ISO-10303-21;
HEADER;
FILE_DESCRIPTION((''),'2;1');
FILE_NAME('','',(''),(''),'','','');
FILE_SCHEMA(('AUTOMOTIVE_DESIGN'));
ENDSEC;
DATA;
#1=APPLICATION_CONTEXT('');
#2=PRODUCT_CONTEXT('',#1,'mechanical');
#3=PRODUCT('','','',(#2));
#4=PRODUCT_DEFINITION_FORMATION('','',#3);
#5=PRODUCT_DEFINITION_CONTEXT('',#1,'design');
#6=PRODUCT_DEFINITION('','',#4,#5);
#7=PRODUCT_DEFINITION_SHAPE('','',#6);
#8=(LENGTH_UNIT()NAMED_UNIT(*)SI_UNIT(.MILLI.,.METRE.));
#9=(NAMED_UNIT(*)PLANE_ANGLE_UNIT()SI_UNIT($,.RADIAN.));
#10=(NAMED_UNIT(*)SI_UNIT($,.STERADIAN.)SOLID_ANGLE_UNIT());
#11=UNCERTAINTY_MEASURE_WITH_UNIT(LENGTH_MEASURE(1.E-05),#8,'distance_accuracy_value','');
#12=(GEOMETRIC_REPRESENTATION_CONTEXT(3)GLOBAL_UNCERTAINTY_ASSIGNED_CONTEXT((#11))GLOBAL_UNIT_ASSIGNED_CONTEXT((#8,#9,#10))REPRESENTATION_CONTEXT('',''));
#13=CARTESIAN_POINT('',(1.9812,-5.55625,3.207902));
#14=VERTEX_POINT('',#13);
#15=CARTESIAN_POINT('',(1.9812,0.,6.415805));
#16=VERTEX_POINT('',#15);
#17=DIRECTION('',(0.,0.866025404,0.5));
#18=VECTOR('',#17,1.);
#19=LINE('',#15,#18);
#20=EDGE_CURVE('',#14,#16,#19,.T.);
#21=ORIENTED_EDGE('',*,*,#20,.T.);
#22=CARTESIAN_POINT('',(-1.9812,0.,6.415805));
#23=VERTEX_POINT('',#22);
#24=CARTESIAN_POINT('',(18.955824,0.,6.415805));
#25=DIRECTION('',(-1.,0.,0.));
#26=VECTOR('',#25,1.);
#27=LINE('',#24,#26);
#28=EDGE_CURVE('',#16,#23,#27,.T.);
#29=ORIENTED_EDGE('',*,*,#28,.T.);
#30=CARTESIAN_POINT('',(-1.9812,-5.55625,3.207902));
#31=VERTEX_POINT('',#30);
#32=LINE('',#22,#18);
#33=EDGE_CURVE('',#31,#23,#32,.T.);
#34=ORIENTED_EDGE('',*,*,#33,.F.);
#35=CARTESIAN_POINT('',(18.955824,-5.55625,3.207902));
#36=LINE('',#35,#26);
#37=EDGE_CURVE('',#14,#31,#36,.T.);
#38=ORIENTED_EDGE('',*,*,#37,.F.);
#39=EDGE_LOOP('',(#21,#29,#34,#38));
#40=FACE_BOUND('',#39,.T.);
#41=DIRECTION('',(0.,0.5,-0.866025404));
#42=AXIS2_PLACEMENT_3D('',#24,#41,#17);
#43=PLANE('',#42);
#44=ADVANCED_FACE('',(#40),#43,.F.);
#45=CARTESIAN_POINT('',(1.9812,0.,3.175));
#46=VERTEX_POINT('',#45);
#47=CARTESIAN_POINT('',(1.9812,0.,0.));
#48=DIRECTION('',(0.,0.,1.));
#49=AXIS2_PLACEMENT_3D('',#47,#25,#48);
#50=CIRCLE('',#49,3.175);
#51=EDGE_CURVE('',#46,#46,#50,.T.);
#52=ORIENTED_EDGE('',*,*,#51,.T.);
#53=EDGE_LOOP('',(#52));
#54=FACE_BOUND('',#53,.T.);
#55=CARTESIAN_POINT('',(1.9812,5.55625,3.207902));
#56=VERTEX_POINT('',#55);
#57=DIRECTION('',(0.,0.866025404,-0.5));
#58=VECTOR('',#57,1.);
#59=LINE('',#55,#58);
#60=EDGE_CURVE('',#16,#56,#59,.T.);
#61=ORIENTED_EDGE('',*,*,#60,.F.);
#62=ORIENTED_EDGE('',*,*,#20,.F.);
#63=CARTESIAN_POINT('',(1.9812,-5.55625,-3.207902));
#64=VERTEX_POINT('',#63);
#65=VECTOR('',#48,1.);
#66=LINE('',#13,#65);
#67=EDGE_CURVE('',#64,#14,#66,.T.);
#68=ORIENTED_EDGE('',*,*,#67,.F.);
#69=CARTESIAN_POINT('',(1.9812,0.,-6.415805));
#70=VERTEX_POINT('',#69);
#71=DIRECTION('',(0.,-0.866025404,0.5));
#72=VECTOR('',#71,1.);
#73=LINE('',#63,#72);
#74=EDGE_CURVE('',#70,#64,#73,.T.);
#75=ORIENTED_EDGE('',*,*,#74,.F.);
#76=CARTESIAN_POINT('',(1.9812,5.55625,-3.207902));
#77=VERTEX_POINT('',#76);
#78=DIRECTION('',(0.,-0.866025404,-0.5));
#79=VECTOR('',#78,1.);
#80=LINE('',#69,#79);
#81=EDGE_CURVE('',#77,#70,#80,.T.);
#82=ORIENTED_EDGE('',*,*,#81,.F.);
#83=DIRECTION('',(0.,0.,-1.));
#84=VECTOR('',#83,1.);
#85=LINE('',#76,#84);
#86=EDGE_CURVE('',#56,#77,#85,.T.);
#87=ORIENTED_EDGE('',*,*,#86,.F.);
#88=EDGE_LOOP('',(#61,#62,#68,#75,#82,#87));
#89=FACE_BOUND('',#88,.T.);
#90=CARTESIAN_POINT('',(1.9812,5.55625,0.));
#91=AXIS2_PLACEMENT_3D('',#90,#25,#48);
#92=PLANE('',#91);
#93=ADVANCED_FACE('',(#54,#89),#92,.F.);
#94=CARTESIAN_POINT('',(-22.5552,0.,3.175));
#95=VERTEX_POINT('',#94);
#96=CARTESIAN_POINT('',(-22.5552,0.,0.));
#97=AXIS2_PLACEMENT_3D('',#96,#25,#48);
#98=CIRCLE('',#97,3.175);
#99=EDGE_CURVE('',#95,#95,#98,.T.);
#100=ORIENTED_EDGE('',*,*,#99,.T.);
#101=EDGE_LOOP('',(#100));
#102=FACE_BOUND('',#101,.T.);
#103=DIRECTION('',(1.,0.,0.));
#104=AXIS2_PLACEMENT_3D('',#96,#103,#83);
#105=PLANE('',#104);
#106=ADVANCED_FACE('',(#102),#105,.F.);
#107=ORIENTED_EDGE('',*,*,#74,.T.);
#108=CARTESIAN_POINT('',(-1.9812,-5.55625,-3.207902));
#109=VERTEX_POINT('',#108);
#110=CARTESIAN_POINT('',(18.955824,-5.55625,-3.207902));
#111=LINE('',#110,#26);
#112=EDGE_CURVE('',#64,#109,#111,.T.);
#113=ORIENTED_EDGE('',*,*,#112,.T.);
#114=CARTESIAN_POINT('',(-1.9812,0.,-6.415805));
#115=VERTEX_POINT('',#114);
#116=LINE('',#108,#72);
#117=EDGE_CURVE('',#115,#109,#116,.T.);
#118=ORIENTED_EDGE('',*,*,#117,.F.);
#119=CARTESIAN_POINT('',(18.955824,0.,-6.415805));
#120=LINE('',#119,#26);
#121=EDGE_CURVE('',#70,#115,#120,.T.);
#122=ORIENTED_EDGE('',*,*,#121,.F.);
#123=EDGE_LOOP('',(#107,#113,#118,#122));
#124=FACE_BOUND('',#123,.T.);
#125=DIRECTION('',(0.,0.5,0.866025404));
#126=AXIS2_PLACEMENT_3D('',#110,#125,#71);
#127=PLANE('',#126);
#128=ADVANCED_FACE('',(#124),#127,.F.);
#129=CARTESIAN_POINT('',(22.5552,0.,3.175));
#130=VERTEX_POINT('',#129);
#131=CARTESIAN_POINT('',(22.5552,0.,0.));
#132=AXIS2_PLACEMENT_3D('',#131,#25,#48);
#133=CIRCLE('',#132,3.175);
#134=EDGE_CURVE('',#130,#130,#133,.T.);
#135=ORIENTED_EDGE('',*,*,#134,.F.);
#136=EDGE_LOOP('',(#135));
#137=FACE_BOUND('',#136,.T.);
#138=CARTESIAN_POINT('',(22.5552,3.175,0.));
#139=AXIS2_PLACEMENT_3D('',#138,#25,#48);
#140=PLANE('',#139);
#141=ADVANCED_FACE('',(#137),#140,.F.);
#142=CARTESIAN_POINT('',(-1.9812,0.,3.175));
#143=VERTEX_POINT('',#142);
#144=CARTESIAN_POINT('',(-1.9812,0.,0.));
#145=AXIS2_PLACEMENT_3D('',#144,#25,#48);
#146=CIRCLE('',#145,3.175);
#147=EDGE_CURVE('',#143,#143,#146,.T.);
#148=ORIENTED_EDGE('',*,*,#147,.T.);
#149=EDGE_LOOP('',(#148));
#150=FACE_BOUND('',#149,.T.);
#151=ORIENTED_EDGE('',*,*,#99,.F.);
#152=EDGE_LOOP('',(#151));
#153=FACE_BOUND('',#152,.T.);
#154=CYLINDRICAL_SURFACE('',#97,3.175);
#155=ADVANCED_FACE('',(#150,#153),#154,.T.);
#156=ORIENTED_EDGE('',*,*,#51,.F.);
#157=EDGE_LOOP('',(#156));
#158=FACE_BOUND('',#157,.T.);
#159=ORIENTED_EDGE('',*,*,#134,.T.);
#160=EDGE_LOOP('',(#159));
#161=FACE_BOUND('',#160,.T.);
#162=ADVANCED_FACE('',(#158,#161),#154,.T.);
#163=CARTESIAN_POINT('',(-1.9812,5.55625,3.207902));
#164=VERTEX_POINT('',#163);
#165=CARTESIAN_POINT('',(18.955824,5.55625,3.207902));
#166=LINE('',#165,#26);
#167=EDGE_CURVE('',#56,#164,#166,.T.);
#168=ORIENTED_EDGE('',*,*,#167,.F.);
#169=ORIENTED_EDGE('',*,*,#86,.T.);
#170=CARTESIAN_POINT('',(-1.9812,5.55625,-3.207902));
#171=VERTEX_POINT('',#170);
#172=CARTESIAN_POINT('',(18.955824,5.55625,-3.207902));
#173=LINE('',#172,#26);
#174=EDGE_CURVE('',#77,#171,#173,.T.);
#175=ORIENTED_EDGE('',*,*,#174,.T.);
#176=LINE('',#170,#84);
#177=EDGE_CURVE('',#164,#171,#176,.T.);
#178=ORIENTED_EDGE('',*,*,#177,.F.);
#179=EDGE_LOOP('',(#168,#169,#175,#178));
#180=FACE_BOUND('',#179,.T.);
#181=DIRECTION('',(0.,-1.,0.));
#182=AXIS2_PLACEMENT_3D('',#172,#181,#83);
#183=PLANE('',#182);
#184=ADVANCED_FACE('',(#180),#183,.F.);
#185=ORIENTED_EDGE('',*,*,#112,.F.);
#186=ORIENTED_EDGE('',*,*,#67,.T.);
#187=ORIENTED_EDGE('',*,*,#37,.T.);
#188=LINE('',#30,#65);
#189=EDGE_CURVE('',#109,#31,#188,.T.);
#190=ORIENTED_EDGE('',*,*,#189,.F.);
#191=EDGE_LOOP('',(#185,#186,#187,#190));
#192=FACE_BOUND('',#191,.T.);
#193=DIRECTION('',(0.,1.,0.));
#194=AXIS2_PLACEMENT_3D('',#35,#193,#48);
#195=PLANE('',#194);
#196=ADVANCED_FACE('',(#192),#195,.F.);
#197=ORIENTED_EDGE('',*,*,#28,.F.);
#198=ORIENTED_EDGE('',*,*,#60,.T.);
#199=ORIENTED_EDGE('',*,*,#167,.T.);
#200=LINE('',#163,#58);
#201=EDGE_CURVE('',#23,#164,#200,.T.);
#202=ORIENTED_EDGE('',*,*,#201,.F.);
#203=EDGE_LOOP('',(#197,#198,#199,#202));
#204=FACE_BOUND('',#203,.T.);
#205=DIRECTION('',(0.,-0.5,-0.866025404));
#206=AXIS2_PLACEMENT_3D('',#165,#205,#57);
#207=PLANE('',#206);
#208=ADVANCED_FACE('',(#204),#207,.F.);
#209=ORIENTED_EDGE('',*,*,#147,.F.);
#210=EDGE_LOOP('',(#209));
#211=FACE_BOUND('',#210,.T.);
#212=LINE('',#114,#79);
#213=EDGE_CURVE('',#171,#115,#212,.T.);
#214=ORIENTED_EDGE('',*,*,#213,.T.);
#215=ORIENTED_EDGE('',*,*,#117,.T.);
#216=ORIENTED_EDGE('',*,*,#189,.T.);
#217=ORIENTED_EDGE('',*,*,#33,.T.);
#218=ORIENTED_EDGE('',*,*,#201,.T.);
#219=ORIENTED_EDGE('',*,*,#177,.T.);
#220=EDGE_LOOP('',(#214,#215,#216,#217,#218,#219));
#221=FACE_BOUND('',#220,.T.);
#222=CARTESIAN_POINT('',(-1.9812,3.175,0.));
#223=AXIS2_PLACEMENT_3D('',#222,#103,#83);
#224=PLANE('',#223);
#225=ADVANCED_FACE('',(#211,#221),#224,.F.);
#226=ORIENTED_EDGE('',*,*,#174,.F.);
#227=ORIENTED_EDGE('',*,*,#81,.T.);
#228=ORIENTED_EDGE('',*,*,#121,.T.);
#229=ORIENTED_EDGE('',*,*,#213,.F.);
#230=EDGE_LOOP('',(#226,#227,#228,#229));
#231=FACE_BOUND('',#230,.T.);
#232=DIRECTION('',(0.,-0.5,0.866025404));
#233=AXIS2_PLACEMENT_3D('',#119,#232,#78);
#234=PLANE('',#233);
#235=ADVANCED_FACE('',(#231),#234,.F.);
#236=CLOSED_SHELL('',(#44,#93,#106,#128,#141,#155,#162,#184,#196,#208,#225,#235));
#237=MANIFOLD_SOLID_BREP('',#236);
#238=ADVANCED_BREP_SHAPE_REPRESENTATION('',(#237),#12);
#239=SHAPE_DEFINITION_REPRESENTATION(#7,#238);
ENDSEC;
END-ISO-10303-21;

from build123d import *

# Parameters (mm, degrees)
BOSS_EXTRUDE1_REACH             = 25.885
BOSS_EXTRUDE1_DIRECTION_2_REACH = 25.885


with BuildPart() as part:
    # Sketch2 → Revolve1 (revolve)
    with BuildSketch(Plane.XY, mode=Mode.PRIVATE) as revolve1_sk:
        Polygon((-22.5552, 0), (-22.5552, 3.175), (-1.9812, 3.175), (-1.9812, 5.55625), (1.9812, 5.55625), (1.9812, 3.175), (22.5552, 3.175), (22.5552, 0), align=None)
    revolve(revolve1_sk.sketch.rotate(Axis((-22.5552, 0, 0), (1, 0, 0)), 90), axis=Axis((-22.5552, 0, 0), (1, 0, 0)))

    # Boss-Extrude1: up to this face of the body (flat: up to its plane)
    boss_extrude1_end = Plane(part.part.faces().sort_by_distance((1.9812, 0, -5.399095518))[0])
    # Sketch3 → Boss-Extrude1 (add, up to the picked face)
    with BuildSketch(Plane(origin=(0, 0, 0), x_dir=(0, 0, -1), z_dir=(1, 0, 0)), mode=Mode.PRIVATE) as boss_extrude1_sk1:
        Polygon((3.207902433, -5.55625), (6.415804866, 0), (3.207902433, 5.55625), (-3.207902433, 5.55625), (-6.415804866, 0), (-3.207902433, -5.55625), align=None)
    boss_extrude1_tool1 = split(extrude(boss_extrude1_sk1.sketch, amount=BOSS_EXTRUDE1_REACH, mode=Mode.PRIVATE), bisect_by=boss_extrude1_end, keep=Keep.BOTH, mode=Mode.PRIVATE)
    add(boss_extrude1_tool1.solids().sort_by(Axis((0, 0, 0), (1, 0, 0)))[0])

    # Boss-Extrude1 direction 2: up to this face of the body (flat: up to its plane)
    boss_extrude1_direction_2_end = Plane(part.part.faces().sort_by_distance((-1.9812, 0, -3.332154482))[0])
    # Sketch3 → Boss-Extrude1 direction 2 (add, up to the picked face)
    with BuildSketch(Plane(origin=(0, 0, 0), x_dir=(0, 0, -1), z_dir=(1, 0, 0)), mode=Mode.PRIVATE) as boss_extrude1_direction_2_sk1:
        Polygon((3.207902433, -5.55625), (6.415804866, 0), (3.207902433, 5.55625), (-3.207902433, 5.55625), (-6.415804866, 0), (-3.207902433, -5.55625), align=None)
    boss_extrude1_direction_2_tool1 = split(extrude(boss_extrude1_direction_2_sk1.sketch, amount=-BOSS_EXTRUDE1_DIRECTION_2_REACH, mode=Mode.PRIVATE), bisect_by=boss_extrude1_direction_2_end, keep=Keep.BOTH, mode=Mode.PRIVATE)
    add(boss_extrude1_direction_2_tool1.solids().sort_by(Axis((0, 0, 0), (-1, 0, 0)))[0])


solid = part.part
